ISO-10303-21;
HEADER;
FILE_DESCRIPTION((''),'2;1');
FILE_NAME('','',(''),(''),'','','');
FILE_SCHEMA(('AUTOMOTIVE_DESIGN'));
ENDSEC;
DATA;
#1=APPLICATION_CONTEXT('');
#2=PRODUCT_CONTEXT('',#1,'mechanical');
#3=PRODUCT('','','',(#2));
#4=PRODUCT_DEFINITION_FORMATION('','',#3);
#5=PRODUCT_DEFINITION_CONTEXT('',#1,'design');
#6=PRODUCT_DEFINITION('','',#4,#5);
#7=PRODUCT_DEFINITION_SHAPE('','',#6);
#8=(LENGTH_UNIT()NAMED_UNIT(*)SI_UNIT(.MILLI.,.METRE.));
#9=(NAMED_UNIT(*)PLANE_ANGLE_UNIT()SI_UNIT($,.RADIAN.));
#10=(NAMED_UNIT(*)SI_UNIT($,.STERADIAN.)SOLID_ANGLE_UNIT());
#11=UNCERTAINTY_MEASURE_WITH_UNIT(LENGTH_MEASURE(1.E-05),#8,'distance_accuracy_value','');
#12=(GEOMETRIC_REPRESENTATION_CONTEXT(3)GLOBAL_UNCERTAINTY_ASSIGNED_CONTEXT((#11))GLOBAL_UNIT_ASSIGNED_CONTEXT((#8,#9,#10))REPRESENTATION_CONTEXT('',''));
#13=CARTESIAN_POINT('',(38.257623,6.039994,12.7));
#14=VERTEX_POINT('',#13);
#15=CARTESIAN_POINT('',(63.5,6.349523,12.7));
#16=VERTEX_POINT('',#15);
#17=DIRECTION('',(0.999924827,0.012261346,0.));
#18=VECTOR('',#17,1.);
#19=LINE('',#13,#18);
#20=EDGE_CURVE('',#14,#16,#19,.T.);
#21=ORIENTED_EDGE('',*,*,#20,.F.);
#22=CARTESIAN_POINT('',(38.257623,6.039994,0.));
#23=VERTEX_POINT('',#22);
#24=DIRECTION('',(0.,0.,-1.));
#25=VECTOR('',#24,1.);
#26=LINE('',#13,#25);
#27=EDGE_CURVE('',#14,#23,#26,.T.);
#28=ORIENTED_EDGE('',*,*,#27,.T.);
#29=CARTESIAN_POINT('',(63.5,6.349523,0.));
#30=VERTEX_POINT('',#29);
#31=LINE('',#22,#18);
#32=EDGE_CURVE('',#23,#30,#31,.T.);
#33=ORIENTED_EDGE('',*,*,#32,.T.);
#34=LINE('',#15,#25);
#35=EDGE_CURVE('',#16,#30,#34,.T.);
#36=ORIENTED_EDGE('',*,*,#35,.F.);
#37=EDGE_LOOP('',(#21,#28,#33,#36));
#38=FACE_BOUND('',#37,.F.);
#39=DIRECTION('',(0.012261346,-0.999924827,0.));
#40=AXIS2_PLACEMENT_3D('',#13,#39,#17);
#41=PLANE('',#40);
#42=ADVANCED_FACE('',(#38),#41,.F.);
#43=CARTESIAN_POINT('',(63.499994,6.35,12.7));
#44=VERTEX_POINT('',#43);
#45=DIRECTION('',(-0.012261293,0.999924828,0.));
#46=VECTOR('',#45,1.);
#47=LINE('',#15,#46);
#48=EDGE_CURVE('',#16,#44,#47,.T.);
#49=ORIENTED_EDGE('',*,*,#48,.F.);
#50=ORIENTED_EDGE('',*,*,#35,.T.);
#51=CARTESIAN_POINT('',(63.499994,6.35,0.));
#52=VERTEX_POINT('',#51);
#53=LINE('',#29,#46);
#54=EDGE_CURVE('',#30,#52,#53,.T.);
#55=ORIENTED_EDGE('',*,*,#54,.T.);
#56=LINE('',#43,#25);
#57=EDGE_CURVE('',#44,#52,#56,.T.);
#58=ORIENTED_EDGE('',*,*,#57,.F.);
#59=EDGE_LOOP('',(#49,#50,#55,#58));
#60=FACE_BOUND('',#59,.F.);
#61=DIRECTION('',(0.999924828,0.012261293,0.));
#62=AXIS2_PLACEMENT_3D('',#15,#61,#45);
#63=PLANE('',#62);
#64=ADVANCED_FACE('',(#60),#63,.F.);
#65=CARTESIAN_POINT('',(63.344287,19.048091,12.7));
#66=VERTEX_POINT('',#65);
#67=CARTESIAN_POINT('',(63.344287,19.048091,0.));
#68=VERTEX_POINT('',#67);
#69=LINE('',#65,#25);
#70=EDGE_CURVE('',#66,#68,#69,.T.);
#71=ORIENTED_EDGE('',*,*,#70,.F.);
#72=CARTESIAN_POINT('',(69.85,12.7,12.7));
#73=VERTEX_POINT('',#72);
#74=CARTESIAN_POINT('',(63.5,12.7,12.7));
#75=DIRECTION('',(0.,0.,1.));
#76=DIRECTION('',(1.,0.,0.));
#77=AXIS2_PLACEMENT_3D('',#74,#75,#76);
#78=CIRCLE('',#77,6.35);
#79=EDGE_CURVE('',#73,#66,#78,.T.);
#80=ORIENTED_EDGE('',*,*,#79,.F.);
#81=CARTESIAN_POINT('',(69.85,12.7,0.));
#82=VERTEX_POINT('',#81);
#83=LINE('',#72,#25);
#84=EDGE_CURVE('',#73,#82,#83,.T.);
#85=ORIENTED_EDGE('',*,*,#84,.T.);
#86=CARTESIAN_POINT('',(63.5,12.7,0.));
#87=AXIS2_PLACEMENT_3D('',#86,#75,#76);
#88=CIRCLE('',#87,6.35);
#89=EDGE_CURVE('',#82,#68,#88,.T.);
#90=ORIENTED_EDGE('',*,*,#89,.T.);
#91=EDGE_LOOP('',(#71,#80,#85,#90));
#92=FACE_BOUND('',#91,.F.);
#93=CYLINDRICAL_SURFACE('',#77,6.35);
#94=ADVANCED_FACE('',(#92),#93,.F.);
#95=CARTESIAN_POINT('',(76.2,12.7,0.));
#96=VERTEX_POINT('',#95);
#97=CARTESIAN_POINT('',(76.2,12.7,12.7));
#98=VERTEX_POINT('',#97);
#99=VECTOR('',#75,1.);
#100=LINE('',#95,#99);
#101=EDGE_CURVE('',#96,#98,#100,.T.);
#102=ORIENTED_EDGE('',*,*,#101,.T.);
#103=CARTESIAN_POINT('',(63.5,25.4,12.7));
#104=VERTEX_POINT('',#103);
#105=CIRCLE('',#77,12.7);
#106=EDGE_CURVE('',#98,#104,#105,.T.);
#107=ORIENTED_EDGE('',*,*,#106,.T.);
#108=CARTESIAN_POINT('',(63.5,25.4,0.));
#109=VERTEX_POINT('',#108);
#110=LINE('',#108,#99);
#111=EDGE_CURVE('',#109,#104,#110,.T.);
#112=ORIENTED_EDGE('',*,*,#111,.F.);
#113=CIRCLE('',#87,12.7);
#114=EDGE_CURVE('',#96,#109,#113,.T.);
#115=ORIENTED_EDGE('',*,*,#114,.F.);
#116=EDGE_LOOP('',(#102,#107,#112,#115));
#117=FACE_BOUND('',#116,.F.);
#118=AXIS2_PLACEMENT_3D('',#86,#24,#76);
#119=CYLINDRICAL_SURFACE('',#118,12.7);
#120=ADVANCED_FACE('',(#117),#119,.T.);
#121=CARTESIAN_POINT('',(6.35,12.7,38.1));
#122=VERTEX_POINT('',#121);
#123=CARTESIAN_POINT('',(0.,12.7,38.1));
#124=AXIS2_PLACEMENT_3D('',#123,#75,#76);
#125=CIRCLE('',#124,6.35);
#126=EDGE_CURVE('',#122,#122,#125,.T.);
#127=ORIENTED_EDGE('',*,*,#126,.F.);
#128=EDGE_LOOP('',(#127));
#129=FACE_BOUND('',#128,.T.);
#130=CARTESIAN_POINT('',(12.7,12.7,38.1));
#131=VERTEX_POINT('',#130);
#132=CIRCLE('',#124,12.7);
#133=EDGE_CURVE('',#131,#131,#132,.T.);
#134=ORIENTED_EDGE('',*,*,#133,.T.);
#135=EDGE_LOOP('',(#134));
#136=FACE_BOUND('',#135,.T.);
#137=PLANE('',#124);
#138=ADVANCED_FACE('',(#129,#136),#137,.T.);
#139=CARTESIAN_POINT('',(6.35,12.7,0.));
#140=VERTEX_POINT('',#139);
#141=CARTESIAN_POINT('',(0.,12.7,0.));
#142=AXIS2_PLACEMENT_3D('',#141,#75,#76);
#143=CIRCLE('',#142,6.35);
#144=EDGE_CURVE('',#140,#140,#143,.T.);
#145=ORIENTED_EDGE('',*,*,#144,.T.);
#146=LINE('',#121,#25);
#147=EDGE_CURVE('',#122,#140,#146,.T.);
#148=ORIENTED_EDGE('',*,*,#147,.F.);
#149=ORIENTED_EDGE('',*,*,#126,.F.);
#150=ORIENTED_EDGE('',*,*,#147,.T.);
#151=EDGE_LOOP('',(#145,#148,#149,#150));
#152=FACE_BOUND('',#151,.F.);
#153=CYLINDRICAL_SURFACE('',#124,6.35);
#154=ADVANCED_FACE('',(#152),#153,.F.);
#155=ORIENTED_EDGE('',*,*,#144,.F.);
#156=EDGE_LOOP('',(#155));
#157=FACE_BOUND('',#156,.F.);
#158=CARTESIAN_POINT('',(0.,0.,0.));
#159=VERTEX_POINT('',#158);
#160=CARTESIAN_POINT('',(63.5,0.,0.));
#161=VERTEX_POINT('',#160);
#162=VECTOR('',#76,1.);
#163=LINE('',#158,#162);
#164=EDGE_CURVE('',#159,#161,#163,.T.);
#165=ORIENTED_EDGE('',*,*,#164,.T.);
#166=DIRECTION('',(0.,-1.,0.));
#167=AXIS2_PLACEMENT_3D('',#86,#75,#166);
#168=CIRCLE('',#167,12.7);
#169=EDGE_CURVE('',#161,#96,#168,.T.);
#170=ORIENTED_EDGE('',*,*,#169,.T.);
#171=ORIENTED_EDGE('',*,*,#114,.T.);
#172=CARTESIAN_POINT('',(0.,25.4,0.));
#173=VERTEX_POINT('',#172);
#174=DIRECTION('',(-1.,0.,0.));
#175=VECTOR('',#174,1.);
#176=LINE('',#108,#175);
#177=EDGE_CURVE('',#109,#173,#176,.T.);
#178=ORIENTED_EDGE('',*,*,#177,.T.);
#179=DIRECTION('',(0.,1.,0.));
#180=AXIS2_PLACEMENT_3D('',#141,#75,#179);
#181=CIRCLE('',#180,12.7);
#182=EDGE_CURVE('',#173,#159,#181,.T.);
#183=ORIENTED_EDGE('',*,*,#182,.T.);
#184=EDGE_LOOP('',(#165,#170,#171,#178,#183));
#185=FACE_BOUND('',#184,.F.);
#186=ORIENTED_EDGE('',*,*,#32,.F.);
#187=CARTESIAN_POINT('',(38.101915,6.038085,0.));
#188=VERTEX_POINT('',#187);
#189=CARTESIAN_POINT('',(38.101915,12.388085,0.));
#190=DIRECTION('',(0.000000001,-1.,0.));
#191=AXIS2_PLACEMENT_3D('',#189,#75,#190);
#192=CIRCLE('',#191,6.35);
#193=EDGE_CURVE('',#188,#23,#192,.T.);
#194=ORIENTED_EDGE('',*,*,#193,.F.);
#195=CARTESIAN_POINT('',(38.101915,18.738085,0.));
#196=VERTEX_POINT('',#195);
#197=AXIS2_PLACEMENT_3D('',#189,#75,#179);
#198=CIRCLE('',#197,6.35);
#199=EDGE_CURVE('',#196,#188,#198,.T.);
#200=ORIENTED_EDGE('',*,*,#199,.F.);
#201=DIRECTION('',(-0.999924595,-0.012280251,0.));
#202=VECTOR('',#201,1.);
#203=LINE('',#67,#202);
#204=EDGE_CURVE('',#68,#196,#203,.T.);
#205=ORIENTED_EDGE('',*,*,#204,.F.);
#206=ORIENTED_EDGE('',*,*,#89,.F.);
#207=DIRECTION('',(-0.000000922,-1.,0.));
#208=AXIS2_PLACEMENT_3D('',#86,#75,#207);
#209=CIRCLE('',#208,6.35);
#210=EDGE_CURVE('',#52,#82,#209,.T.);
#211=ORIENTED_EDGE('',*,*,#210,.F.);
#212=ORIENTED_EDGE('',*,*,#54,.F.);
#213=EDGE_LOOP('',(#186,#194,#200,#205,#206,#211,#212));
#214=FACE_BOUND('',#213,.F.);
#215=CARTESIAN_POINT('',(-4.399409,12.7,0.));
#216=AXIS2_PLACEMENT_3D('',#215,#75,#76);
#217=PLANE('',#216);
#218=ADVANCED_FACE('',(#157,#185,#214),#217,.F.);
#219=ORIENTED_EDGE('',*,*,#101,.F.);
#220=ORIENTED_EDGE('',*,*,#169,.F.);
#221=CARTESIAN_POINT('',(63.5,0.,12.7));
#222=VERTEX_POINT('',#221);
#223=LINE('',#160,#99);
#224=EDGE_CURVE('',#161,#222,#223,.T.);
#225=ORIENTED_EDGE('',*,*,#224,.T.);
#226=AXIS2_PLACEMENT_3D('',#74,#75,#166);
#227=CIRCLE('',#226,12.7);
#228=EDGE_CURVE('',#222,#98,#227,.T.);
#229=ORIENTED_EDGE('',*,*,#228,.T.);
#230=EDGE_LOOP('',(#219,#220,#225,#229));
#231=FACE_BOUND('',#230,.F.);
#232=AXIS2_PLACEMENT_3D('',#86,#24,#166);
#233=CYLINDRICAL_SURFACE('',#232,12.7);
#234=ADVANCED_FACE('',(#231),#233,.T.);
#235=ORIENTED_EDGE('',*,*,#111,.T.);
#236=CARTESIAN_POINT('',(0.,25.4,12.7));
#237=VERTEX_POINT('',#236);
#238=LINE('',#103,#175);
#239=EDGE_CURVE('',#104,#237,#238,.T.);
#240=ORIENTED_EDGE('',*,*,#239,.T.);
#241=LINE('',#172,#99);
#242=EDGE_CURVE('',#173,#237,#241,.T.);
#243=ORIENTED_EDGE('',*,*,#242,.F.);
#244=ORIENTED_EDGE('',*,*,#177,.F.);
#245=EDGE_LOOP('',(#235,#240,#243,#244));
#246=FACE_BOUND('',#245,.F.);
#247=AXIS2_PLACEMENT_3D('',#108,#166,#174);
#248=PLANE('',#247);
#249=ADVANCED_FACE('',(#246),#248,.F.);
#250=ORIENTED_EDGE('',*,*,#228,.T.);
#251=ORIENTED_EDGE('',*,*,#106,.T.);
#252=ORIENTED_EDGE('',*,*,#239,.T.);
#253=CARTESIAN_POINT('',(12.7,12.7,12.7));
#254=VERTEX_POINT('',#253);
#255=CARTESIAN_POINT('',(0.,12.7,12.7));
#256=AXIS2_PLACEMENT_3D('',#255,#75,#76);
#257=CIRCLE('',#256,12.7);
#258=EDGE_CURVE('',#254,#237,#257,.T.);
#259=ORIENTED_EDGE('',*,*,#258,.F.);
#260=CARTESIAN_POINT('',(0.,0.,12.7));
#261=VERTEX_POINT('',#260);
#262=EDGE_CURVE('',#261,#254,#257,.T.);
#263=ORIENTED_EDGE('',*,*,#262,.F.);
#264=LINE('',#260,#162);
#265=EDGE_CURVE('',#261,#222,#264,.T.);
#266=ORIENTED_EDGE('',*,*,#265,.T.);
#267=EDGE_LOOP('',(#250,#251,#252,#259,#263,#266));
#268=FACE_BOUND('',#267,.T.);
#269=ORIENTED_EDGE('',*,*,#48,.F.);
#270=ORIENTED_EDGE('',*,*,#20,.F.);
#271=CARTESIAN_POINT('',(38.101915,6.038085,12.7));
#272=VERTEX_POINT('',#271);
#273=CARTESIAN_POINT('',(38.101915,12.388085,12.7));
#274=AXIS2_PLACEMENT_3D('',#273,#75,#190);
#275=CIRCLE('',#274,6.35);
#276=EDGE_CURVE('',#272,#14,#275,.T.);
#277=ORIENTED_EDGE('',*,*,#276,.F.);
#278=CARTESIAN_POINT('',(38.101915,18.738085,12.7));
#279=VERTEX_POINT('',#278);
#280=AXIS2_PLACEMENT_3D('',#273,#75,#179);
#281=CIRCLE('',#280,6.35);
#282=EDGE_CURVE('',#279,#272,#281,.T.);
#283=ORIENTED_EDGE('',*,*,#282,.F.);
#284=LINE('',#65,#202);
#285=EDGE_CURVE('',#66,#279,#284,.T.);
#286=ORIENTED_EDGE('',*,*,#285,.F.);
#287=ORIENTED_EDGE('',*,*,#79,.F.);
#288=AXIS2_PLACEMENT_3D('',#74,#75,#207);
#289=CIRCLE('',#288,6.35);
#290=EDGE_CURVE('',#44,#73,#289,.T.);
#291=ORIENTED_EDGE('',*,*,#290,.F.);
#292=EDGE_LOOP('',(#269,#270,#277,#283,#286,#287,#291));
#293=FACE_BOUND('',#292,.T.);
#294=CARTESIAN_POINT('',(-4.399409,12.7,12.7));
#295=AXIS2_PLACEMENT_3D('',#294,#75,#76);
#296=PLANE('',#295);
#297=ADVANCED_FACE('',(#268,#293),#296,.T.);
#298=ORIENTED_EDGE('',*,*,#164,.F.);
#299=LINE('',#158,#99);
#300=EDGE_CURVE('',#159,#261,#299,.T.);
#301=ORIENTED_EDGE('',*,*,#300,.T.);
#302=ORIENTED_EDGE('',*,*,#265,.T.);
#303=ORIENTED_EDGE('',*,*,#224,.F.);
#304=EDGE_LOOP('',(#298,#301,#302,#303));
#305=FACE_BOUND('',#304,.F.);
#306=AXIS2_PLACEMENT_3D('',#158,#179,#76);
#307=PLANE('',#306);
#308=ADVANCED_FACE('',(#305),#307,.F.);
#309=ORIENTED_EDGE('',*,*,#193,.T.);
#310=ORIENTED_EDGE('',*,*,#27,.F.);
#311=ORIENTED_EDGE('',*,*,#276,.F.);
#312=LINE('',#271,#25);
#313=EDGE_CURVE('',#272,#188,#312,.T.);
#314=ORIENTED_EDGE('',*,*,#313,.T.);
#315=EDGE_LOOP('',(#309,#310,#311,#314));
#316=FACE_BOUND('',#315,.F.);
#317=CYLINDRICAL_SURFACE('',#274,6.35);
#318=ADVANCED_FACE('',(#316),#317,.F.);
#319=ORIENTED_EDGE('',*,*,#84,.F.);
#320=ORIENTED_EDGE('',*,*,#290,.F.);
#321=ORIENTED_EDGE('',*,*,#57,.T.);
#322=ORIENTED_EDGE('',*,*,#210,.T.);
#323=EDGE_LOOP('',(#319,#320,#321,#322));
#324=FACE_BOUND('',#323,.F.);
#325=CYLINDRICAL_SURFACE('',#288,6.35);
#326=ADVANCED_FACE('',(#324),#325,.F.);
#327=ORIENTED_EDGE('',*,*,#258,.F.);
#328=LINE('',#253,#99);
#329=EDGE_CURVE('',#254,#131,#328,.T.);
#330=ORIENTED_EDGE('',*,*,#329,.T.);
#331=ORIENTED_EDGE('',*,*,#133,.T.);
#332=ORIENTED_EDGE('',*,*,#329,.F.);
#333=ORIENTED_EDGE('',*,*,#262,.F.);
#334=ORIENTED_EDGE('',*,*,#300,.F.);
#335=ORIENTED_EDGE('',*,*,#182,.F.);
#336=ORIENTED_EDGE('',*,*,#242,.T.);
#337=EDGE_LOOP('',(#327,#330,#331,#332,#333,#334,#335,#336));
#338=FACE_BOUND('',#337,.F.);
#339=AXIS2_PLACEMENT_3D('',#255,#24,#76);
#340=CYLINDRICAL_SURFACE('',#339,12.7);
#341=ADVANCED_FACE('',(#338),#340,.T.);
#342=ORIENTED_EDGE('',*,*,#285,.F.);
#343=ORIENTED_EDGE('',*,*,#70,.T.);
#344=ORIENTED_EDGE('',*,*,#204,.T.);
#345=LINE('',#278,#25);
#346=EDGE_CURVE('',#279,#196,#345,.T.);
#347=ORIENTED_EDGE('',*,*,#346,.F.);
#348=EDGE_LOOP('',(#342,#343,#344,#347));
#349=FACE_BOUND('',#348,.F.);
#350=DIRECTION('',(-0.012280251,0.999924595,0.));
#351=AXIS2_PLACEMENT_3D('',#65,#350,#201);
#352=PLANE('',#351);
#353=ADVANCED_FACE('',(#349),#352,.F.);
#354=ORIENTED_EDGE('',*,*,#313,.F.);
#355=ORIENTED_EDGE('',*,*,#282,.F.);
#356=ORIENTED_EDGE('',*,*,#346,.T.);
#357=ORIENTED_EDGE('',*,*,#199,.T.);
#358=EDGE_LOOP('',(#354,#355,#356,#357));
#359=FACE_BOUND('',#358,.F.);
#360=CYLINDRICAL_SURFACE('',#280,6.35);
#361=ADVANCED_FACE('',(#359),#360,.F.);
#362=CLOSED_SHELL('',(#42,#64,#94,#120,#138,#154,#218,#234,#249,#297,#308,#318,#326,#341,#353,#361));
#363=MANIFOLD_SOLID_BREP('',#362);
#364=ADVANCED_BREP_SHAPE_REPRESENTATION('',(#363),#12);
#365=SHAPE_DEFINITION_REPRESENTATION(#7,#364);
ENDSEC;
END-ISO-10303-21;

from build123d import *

# Parameters (mm, degrees)
F1_DEPTH = 12.7
F2_R     = 12.7
F3_DEPTH = 25.4
F4_R     = 6.35
F5_DEPTH = 38.1
F7_DEPTH = 12.7


with BuildPart() as f1:
    # F0 (on Top) → F1 (new body)
    with BuildSketch(Plane.XY):
        with BuildLine():
            ThreePointArc((0, 25.4), (-12.7, 12.7), (0, 0))
            Line((0, 0), (0, 25.4))
        make_face()
        with BuildLine():
            ThreePointArc((12.7, 12.7), (8.9802561211, 3.7197438789), (0, 0))
            Line((0, 0), (63.5, 0))
            ThreePointArc((63.5, 0), (50.8, 12.7), (63.5, 25.4))
            Line((63.5, 25.4), (0, 25.4))
            ThreePointArc((0, 25.4), (8.9802561211, 21.6802561211), (12.7, 12.7))
        make_face()
        with BuildLine():
            Line((0, 25.4), (0, 0))
            ThreePointArc((0, 0), (8.9802561211, 3.7197438789), (12.7, 12.7))
            ThreePointArc((12.7, 12.7), (8.9802561211, 21.6802561211), (0, 25.4))
        make_face()
        with BuildLine():
            ThreePointArc((63.5, 25.4), (50.8, 12.7), (63.5, 0))
            Line((63.5, 0), (63.5, 25.4))
        make_face()
        with BuildLine():
            Line((63.5, 25.4), (63.5, 0))
            ThreePointArc((63.5, 0), (72.4802561211, 3.7197438789), (76.2, 12.7))
            ThreePointArc((76.2, 12.7), (72.4802561211, 21.6802561211), (63.5, 25.4))
        make_face()
    extrude(amount=F1_DEPTH)

    # F2 (on face) → F3 (join)
    with BuildSketch(Plane.XY.offset(12.7)):
        with Locations((0, 12.7)):
            Circle(F2_R)
    extrude(amount=F3_DEPTH)

    # F4 (on face) → F5 (cut)
    with BuildSketch(Plane.XY.offset(38.1)):
        with Locations((0, 12.7)):
            Circle(F4_R)
    extrude(amount=-F5_DEPTH, mode=Mode.SUBTRACT)

    # F6 (on face) → F7 (cut)
    with BuildSketch(Plane.XY.offset(12.7)):
        with BuildLine():
            ThreePointArc((38.257622641, 6.0399938281), (42.6467607914, 7.9533489918), (44.4519152548, 12.3880845024))
            ThreePointArc((44.4519152548, 12.3880845024), (42.5920433154, 16.878212563), (38.1019152548, 18.7380845024))
            Line((38.1019152548, 18.7380845024), (38.1019152548, 6.0380845024))
            Line((38.1019152548, 6.0380845024), (38.257622641, 6.0399938281))
        make_face()
        with BuildLine():
            ThreePointArc((38.1019152548, 18.7380845024), (42.5920433154, 16.878212563), (44.4519152548, 12.3880845024))
            ThreePointArc((44.4519152548, 12.3880845024), (42.6467607914, 7.9533489918), (38.257622641, 6.0399938281))
            Line((38.257622641, 6.0399938281), (63.5, 6.3495226148))
            Line((63.5, 6.3495226148), (63.4999941462, 6.35))
            ThreePointArc((63.4999941462, 6.35), (57.1504773494, 12.622140454), (63.3442867618, 19.0480905308))
            Line((63.3442867618, 19.0480905308), (38.1019152548, 18.7380845024))
        make_face()
        with BuildLine():
            Line((38.1019152548, 6.0380845024), (38.1019152548, 18.7380845024))
            ThreePointArc((38.1019152548, 18.7380845024), (31.7519152548, 12.3880845024), (38.1019152548, 6.0380845024))
        make_face()
        with BuildLine():
            ThreePointArc((38.1019152548, 6.0380845024), (38.1797748009, 6.0385618518), (38.257622641, 6.0399938281))
            Line((38.257622641, 6.0399938281), (38.1019152548, 6.0380845024))
        make_face()
        with BuildLine():
            Line((63.4999941462, 6.35), (63.3442867618, 19.0480905308))
            ThreePointArc((63.3442867618, 19.0480905308), (57.1504773494, 12.622140454), (63.4999941462, 6.35))
        make_face()
        with BuildLine():
            ThreePointArc((69.85, 12.7), (67.9347334157, 17.2448475807), (63.3442867618, 19.0480905308))
            Line((63.3442867618, 19.0480905308), (63.4999941462, 6.35))
            ThreePointArc((63.4999941462, 6.35), (67.9901259909, 8.2098698698), (69.85, 12.7))
        make_face()
    extrude(amount=-F7_DEPTH, mode=Mode.SUBTRACT)


solid = f1.part
